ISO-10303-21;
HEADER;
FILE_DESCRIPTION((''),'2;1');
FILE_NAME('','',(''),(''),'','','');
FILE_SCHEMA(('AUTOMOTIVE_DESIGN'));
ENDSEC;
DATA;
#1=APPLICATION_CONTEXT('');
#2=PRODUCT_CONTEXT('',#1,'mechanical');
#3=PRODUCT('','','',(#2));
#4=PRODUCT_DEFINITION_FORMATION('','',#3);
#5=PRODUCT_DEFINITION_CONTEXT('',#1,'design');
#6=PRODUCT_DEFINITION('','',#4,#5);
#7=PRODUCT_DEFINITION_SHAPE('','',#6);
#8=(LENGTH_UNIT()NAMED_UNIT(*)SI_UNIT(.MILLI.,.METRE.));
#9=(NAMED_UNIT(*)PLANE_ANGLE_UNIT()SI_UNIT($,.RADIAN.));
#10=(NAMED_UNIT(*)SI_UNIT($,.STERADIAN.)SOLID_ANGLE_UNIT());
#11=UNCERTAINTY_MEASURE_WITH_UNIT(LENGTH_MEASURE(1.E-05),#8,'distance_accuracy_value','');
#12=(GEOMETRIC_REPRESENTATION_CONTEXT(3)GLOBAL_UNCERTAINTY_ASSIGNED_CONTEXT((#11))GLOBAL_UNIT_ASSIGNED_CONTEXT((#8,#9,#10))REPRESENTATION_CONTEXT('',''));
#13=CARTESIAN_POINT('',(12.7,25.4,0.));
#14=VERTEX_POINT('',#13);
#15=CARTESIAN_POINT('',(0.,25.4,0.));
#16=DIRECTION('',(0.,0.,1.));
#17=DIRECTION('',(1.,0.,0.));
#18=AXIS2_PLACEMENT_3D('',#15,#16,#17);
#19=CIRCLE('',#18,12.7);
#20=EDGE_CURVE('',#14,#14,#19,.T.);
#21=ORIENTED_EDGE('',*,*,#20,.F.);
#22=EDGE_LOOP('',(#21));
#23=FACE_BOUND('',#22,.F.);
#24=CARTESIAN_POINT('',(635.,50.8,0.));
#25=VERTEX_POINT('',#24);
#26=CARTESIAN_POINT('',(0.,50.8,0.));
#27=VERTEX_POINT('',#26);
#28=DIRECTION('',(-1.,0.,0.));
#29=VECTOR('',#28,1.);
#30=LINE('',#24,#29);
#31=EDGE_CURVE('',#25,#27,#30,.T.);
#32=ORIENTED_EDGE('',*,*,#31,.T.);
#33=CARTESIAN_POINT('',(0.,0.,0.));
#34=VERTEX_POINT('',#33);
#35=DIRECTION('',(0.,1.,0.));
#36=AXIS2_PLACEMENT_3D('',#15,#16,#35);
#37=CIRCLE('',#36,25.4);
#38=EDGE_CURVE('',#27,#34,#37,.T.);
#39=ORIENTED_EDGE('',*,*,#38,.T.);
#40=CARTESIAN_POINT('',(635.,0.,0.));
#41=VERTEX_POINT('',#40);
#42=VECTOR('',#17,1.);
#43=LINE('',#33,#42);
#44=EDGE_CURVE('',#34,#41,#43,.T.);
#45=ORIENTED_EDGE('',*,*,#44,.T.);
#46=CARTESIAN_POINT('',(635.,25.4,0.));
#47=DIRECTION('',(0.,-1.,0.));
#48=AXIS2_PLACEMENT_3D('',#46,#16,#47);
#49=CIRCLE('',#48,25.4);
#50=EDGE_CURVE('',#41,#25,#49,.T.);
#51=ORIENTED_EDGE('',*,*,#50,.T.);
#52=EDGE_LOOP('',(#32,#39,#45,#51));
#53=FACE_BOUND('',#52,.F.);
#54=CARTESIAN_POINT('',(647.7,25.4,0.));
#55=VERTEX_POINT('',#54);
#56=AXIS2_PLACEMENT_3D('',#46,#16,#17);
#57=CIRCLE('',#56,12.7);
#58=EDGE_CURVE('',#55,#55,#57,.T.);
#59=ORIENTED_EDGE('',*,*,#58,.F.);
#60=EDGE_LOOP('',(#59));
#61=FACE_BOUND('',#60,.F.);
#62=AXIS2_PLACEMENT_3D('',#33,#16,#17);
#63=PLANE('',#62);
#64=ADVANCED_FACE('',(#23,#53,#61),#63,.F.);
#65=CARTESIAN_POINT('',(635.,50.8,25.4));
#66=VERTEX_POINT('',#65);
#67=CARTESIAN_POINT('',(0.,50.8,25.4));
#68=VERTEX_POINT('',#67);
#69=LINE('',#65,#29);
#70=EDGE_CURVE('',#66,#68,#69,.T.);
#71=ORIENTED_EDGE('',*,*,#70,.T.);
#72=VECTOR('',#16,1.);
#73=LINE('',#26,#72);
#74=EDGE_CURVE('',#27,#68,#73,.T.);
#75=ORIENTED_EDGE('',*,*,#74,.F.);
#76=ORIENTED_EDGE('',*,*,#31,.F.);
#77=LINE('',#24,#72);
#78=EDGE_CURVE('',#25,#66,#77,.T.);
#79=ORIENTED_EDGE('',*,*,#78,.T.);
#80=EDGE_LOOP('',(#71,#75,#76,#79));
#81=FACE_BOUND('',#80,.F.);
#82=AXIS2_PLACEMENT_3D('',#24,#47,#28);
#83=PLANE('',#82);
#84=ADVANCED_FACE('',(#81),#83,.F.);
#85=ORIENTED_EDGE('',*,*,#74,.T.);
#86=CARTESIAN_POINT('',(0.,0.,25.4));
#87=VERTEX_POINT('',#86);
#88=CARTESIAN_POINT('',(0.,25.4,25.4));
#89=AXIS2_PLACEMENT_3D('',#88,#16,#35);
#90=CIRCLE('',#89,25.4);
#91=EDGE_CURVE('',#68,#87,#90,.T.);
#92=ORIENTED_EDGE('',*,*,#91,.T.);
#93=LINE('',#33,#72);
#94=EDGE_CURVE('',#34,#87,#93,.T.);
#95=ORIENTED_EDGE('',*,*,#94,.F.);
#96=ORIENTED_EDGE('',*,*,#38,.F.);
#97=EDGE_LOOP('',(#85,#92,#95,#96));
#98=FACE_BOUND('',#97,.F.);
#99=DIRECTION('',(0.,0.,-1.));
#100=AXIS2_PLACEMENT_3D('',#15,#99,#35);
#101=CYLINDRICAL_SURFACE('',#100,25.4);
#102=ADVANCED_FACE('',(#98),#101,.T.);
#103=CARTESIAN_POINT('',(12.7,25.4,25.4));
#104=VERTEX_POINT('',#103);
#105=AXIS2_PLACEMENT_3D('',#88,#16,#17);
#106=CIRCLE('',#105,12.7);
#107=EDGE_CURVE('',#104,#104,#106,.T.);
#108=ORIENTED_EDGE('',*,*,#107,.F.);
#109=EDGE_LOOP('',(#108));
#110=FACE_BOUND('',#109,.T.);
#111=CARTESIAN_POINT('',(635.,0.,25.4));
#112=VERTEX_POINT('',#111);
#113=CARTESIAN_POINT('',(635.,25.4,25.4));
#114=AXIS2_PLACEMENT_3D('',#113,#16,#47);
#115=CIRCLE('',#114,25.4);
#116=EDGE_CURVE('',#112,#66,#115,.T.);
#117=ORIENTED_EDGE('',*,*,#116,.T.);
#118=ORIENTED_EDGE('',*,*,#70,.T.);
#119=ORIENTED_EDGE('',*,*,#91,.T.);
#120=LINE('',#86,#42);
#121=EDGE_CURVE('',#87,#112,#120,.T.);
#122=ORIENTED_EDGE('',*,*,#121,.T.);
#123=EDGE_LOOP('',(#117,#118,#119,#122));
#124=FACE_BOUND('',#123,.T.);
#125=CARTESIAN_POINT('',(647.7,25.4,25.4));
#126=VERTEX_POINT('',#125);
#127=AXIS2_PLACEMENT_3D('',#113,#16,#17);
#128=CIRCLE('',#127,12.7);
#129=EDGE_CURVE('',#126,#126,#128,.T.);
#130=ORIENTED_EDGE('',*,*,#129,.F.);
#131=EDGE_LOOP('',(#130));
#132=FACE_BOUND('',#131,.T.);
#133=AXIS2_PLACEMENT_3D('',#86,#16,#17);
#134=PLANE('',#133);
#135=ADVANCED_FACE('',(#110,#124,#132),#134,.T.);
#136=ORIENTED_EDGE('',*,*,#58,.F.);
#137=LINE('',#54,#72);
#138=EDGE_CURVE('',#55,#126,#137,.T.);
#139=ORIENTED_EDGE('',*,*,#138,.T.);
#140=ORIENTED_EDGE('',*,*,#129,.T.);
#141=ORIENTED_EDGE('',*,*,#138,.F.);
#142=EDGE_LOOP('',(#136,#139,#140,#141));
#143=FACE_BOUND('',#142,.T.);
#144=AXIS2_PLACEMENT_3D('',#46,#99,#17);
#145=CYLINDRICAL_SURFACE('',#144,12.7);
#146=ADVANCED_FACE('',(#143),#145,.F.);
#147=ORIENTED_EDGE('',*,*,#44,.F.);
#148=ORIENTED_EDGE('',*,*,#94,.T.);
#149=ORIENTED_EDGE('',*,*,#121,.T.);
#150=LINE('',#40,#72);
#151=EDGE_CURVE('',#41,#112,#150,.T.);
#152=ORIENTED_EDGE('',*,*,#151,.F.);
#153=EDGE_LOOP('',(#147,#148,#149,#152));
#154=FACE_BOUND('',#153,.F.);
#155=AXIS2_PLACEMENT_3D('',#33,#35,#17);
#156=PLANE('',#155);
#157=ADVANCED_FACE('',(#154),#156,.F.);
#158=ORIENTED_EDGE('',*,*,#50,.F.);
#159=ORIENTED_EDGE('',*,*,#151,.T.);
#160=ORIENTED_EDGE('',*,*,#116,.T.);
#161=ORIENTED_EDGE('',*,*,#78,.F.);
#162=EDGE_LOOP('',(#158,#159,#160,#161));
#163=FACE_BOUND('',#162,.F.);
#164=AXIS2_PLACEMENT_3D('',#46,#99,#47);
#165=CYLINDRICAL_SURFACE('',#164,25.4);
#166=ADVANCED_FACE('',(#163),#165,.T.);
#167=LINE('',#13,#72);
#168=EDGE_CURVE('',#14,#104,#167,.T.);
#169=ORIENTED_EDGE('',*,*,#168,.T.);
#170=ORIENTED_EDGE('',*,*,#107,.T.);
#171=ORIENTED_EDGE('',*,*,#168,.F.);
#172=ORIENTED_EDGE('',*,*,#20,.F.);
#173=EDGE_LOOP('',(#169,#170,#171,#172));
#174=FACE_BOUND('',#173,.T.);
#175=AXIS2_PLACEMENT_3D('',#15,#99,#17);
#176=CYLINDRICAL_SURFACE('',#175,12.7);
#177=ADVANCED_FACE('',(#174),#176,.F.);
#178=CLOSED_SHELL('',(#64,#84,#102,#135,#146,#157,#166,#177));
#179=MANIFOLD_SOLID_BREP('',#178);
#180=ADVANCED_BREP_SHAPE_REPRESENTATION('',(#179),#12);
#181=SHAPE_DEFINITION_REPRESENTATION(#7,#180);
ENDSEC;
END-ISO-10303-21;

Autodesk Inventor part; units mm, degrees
ref_plane "YZ Plane" through (0, 0, 0) normal (1, 0, 0) x (0, 1, 0)
ref_plane "XZ Plane" through (0, 0, 0) normal (0, 1, 0) x (-1, 0, 0)
ref_plane "XY Plane" through (0, 0, 0) normal (0, 0, 1) x (1, 0, 0)
sketch "Sketch1" plane through (0, 0, 0) normal (0, 0, 1) x (1, 0, 0)
  line L0 (0, 0) -> (635, 0)
  line L1 (635, 50.8) -> (0, 50.8)
  arc A0 (635, 0) -> (635, 50.8) centre (635, 25.4) ccw
  arc A1 (0, 50.8) -> (0, 0) centre (0, 25.4) ccw
  circle A2 centre (0, 25.4) radius 12.7
  circle A3 centre (635, 25.4) radius 12.7
  dimension "d0" = 635
  dimension "d1" = 635
  dimension "d2" = 50.8
  dimension "d3" = 25.4
  dimension "d4" = 25.4
extrude "Extrusion1" add sketch "Sketch1" along normal blind 25.4
properties part number "Biela"
